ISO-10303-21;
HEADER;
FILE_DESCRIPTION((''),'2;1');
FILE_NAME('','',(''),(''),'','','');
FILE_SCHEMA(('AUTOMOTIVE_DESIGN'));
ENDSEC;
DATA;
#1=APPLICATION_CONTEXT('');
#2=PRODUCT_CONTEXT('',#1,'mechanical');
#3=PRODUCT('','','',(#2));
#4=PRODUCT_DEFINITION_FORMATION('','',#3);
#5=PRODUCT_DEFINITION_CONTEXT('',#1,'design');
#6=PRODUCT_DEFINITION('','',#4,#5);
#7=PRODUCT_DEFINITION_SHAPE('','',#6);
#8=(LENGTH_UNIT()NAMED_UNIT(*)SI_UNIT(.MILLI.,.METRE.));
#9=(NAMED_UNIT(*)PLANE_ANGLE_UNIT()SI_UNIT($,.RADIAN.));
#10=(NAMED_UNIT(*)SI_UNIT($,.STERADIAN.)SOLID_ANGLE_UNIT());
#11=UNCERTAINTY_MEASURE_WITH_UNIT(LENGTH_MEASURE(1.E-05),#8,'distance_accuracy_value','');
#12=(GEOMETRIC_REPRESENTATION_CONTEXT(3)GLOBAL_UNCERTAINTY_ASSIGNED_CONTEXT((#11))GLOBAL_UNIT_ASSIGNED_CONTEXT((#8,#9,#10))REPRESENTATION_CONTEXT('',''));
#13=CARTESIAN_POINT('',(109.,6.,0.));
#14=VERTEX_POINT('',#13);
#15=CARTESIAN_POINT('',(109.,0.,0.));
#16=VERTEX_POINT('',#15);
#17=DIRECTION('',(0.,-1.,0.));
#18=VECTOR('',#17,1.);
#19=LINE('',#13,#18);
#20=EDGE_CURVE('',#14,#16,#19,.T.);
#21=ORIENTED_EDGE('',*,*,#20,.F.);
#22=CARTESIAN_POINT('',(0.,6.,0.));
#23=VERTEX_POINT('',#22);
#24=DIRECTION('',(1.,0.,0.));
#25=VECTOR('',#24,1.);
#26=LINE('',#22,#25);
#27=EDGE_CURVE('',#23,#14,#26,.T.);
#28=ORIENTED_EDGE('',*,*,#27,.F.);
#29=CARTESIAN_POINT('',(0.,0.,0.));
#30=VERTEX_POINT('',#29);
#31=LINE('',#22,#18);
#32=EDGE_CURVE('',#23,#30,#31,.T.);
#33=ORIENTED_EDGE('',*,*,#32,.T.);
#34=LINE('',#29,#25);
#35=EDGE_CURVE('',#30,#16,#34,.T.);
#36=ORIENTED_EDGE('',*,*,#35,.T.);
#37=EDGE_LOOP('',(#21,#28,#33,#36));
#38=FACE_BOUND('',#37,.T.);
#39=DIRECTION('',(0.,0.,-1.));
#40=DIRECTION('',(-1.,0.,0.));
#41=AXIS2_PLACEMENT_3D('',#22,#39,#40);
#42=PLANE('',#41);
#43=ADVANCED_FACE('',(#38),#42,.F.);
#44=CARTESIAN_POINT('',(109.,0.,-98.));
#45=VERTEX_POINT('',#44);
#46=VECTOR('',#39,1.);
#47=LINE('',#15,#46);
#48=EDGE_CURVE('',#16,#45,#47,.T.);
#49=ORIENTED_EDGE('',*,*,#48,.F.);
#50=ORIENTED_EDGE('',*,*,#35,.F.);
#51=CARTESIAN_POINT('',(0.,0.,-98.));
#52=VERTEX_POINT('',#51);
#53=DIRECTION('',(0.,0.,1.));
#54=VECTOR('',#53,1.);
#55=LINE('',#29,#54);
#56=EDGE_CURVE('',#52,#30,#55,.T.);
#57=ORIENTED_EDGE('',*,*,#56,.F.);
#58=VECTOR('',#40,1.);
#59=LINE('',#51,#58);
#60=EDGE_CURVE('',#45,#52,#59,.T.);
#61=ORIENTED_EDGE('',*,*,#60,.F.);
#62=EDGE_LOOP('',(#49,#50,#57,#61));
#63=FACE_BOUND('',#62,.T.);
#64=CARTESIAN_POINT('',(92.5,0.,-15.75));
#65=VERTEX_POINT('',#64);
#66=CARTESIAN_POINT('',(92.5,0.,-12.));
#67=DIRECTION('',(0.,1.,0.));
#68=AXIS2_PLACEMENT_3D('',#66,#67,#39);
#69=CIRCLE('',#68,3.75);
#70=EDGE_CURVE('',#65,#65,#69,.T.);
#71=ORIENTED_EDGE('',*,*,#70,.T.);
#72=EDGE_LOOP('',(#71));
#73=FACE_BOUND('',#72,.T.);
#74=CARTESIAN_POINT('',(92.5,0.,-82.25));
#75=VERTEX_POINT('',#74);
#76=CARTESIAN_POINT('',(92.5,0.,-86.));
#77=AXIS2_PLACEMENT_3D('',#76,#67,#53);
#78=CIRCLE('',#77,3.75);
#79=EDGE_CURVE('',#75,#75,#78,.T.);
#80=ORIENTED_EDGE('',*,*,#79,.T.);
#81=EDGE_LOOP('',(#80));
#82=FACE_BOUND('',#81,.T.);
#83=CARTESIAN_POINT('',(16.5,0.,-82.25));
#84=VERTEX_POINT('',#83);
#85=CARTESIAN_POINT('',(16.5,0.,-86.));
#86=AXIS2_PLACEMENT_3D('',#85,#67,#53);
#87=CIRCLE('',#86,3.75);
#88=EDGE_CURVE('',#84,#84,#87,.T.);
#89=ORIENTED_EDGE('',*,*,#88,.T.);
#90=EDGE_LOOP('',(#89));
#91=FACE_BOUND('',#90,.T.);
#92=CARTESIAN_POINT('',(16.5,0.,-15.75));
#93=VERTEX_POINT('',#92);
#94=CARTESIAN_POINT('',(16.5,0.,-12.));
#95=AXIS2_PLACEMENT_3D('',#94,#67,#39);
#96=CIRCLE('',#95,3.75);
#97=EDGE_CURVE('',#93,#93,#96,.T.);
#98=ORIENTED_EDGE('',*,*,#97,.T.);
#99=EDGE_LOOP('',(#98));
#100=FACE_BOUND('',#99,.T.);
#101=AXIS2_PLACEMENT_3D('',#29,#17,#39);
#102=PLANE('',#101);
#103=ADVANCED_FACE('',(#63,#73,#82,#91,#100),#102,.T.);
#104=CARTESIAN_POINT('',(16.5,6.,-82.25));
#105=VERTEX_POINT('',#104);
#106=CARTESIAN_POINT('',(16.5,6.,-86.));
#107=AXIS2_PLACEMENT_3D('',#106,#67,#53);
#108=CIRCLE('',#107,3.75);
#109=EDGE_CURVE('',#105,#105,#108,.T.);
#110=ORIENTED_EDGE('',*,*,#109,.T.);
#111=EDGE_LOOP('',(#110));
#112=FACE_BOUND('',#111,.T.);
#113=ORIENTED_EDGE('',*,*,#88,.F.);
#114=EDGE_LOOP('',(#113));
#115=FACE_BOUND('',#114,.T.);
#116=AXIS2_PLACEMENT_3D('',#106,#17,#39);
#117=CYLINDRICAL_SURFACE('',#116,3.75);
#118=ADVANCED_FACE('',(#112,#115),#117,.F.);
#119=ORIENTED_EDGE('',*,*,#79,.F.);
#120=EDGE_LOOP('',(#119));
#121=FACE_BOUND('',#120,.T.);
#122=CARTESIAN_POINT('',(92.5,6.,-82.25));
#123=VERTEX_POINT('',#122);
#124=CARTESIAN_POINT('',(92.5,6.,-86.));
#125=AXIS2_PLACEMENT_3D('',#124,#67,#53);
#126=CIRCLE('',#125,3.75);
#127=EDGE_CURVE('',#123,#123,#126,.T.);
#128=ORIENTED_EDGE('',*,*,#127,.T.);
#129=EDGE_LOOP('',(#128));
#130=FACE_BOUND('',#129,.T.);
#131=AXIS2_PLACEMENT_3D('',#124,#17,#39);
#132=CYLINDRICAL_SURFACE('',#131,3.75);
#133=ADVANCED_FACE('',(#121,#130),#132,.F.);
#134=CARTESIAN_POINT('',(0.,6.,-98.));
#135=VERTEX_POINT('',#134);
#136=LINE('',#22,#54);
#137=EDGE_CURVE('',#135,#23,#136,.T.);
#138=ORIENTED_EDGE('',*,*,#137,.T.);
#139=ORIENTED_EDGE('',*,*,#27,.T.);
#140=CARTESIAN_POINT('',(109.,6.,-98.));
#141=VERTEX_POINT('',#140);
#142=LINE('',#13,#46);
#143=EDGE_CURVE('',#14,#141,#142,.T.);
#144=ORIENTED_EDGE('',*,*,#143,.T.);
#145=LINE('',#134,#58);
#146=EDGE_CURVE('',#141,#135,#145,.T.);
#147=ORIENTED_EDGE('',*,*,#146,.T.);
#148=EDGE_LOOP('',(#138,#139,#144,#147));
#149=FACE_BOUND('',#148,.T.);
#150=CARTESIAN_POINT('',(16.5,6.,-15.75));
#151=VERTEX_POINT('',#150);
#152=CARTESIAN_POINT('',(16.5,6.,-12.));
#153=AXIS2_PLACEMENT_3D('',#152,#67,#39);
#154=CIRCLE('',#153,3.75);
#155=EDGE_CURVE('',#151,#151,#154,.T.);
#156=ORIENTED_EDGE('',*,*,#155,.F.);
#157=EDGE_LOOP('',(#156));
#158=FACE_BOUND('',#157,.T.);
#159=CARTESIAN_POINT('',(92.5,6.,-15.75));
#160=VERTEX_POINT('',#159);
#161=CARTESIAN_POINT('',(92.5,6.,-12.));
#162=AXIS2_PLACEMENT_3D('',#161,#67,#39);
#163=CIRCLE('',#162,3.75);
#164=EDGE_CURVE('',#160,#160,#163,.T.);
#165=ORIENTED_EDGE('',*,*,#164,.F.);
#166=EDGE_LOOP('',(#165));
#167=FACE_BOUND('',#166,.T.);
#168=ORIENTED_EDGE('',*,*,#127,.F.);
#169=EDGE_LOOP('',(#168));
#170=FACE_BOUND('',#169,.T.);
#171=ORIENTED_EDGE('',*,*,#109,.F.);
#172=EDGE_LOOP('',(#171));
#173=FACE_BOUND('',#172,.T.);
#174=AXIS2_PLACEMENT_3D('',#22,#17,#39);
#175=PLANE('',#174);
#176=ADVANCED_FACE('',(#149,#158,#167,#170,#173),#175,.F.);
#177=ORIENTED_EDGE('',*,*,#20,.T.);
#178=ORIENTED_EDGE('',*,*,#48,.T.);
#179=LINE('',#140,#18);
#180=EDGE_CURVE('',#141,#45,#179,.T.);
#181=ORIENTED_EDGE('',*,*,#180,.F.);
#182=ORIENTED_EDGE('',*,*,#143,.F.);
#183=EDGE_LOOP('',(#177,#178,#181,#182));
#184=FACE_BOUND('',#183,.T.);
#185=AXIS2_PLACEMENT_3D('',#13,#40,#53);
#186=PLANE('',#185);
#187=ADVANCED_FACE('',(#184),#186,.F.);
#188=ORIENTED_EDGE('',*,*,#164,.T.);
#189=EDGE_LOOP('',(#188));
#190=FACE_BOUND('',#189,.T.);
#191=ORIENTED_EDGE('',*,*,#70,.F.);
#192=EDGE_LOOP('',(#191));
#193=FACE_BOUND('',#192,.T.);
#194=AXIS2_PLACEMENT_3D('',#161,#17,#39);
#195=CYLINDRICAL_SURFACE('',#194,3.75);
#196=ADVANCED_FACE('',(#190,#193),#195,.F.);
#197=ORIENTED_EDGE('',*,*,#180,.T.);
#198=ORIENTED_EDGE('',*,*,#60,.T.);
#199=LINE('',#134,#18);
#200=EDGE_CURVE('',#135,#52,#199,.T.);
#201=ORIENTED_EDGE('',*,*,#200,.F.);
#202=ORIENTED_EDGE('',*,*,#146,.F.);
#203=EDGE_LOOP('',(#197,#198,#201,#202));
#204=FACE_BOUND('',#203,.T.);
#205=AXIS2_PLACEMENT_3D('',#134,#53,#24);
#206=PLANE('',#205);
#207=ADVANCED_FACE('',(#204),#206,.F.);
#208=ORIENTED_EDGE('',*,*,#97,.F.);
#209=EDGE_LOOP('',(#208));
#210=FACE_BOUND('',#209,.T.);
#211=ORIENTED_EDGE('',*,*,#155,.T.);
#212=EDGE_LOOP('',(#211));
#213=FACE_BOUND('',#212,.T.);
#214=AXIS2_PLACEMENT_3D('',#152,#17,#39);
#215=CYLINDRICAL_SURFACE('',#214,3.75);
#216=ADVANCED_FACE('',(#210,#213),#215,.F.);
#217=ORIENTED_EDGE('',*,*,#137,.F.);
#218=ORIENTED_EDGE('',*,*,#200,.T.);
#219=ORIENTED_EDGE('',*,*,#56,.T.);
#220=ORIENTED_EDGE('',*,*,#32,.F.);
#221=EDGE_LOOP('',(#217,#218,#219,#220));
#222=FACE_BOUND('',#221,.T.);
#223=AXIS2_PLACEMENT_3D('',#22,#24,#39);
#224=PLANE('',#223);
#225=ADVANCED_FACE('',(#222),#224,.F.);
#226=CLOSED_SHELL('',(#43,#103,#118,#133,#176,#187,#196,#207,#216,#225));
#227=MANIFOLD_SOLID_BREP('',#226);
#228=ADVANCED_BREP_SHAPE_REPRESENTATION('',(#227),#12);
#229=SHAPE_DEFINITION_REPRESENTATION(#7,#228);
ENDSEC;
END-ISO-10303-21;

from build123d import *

# Parameters (mm, degrees)
ESQUISSE1_W        = 109
ESQUISSE1_H        = 98
ESQUISSE1_R        = 3.75
BOSS_EXTRU_1_DEPTH = 6


with BuildPart() as part:
    # Esquisse1 → Boss.-Extru.1 (new body)
    with BuildSketch(Plane(origin=(0, 0, 0), x_dir=(1, 0, 0), z_dir=(0, 1, 0))):
        with Locations((54.5, 49)):
            Rectangle(ESQUISSE1_W, ESQUISSE1_H)
        with Locations((16.5, 86)):
            Circle(ESQUISSE1_R, mode=Mode.SUBTRACT)
        with Locations((92.5, 86)):
            Circle(ESQUISSE1_R, mode=Mode.SUBTRACT)
        with Locations((92.5, 12)):
            Circle(ESQUISSE1_R, mode=Mode.SUBTRACT)
        with Locations((16.5, 12)):
            Circle(ESQUISSE1_R, mode=Mode.SUBTRACT)
    extrude(amount=BOSS_EXTRU_1_DEPTH)


solid = part.part
